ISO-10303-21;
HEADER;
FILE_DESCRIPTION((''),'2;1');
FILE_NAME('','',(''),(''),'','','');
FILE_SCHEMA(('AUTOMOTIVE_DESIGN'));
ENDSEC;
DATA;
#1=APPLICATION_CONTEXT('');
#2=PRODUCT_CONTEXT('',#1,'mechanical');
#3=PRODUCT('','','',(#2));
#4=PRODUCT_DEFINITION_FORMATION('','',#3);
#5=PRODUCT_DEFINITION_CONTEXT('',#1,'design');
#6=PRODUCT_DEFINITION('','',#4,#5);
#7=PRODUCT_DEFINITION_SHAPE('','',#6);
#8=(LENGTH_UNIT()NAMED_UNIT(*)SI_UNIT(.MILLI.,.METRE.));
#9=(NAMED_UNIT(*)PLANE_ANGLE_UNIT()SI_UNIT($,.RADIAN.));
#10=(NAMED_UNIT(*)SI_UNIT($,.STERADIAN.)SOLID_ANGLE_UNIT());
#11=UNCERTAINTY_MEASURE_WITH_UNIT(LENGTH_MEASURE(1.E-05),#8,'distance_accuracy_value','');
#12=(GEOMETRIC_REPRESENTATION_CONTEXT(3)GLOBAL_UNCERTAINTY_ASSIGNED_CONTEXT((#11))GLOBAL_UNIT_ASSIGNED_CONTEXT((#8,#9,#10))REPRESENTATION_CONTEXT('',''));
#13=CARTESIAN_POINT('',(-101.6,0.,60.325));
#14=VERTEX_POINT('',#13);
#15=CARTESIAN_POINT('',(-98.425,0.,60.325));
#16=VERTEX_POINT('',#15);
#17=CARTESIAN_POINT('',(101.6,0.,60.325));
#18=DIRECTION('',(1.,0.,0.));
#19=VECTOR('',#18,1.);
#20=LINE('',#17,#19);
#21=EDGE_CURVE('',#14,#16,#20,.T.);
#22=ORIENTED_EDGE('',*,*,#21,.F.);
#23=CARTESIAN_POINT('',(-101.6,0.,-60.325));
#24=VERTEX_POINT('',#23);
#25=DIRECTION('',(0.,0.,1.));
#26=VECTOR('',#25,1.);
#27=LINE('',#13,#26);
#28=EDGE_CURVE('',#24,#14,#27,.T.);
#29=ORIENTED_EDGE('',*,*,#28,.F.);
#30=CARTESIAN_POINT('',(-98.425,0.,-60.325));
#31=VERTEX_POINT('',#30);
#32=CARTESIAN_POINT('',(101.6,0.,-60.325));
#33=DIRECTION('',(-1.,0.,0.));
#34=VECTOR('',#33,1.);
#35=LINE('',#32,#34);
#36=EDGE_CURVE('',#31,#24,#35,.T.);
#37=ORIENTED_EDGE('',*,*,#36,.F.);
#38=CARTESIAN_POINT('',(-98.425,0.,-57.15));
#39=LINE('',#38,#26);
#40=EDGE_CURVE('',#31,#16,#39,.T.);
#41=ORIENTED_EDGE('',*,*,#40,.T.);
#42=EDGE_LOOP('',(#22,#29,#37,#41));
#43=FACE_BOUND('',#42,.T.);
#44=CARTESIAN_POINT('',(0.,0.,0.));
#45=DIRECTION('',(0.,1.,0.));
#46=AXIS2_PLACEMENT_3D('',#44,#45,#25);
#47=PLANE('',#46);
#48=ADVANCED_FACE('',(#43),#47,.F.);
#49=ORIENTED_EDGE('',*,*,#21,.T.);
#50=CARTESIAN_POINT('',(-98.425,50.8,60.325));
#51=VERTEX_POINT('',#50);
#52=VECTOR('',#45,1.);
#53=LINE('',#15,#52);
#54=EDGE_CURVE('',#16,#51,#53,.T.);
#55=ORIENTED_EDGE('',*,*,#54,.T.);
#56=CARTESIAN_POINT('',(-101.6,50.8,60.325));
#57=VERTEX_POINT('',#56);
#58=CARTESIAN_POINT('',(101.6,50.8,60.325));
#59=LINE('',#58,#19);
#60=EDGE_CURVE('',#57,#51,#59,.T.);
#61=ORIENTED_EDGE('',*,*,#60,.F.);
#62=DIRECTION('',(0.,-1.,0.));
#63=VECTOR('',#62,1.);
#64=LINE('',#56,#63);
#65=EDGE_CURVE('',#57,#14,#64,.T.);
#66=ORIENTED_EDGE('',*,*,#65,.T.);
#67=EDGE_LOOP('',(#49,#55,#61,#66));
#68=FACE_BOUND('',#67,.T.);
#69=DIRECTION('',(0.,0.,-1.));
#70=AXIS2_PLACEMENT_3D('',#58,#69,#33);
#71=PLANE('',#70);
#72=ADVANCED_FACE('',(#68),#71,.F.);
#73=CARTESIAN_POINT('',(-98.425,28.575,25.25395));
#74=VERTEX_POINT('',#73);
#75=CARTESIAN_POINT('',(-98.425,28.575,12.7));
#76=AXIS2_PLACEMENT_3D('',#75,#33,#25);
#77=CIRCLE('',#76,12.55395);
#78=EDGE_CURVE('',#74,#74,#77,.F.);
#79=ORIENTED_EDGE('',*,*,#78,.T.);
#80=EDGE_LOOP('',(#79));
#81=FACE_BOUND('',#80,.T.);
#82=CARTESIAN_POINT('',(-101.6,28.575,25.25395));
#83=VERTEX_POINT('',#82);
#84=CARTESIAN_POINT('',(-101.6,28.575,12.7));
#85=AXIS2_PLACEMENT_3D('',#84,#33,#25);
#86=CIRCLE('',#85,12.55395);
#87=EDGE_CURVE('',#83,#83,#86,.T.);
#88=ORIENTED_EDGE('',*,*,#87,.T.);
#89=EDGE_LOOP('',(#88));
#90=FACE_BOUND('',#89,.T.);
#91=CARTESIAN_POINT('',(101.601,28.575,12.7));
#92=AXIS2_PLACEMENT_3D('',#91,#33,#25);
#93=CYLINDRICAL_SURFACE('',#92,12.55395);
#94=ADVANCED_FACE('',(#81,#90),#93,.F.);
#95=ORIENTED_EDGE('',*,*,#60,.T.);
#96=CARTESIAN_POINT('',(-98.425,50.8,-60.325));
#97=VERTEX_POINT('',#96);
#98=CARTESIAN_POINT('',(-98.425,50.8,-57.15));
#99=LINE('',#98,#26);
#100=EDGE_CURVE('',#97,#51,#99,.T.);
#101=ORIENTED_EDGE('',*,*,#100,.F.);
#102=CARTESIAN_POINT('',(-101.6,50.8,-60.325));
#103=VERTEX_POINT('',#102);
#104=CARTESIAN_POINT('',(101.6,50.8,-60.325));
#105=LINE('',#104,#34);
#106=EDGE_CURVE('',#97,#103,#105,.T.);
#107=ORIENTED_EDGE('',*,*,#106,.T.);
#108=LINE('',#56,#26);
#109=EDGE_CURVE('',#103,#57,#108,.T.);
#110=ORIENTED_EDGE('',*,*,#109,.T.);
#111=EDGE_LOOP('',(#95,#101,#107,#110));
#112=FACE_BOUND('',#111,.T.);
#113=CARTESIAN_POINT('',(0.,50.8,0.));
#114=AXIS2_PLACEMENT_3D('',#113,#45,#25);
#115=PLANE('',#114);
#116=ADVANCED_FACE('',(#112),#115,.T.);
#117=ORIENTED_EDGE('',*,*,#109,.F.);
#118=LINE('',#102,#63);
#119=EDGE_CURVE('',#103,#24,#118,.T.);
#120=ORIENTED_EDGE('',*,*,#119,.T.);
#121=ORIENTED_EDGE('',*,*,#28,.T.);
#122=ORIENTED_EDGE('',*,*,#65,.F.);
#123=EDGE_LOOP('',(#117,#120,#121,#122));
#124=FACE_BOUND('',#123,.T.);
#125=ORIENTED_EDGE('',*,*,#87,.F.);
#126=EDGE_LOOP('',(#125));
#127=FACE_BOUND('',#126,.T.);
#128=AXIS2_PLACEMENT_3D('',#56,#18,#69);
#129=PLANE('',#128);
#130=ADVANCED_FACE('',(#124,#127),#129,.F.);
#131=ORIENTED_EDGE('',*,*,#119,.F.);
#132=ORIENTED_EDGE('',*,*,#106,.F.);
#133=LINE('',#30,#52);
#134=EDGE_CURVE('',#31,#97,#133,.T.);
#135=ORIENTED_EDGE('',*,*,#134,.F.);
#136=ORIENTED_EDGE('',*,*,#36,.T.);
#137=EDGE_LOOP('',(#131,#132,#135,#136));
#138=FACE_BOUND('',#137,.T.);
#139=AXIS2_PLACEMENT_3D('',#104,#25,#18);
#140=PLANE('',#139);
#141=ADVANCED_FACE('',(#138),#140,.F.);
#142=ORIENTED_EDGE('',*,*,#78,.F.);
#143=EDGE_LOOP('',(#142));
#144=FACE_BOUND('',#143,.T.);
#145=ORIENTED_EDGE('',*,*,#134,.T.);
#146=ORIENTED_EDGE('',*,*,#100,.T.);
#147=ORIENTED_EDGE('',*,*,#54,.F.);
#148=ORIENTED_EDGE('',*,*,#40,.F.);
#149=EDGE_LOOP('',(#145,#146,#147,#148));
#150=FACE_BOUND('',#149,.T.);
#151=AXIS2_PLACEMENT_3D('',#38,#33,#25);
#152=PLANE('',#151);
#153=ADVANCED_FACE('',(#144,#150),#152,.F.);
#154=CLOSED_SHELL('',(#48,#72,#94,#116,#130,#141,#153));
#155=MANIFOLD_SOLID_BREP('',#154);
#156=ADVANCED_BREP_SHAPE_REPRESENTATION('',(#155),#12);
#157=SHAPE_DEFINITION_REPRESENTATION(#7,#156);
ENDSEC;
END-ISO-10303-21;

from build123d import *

# Parameters (mm, degrees)
SKETCH1_W           = 203.2
SKETCH1_H           = 120.65
BOSS_EXTRUDE1_DEPTH = 50.8
SKETCH2_W           = 196.85
SKETCH2_H           = 114.3
CUT_EXTRUDE1_DEPTH  = 51.8
SKETCH4_W           = 203.2
SKETCH4_H           = 120.65
SKETCH4_W_2         = 196.85
SKETCH4_H_2         = 114.3
BOSS_EXTRUDE2_DEPTH = 6.35
CUT_EXTRUDE5_DEPTH  = 121.65
CUT_EXTRUDE6_REACH  = 205.2
CUT_EXTRUDE7_REACH  = 205.2
SKETCH13_R          = 12.55395
CUT_EXTRUDE8_DEPTH  = 51.8


with BuildPart() as part:
    # Sketch1 → Boss-Extrude1 (new body)
    with BuildSketch(Plane(origin=(0, 0, 0), x_dir=(1, 0, 0), z_dir=(0, 1, 0))):
        Rectangle(SKETCH1_W, SKETCH1_H)
    extrude(amount=BOSS_EXTRUDE1_DEPTH)

    # Sketch2 → Cut-Extrude1 (cut, through all)
    with BuildSketch(Plane(origin=(0, 50.8, 0), x_dir=(1, 0, 0), z_dir=(0, 1, 0))):
        Rectangle(SKETCH2_W, SKETCH2_H)
    extrude(amount=-CUT_EXTRUDE1_DEPTH, mode=Mode.SUBTRACT)

    # Sketch4 → Boss-Extrude2 (add)
    with BuildSketch(Plane(origin=(0, 50.8, 0), x_dir=(1, 0, 0), z_dir=(0, 1, 0))):
        Rectangle(SKETCH4_W, SKETCH4_H)
        Rectangle(SKETCH4_W_2, SKETCH4_H_2, mode=Mode.SUBTRACT)
    extrude(amount=-BOSS_EXTRUDE2_DEPTH)

    # Sketch10 → Cut-Extrude5 (cut, through all)
    with BuildSketch(Plane.XY.offset(60.325)):
        with BuildLine():
            ThreePointArc((-65.9511, 22.225), (-81.206975571, 31.167602912), (-81.556705839, 13.4874))
            Line((-81.556705839, 13.4874), (-70.843294161, 13.4874))
            ThreePointArc((-70.843294161, 13.4874), (-67.257397088, 17.218024429), (-65.9511, 22.225))
        make_face()
        with BuildLine():
            ThreePointArc((-15.1511, 22.225), (-30.406975571, 31.167602912), (-30.756705839, 13.4874))
            Line((-30.756705839, 13.4874), (-20.043294161, 13.4874))
            ThreePointArc((-20.043294161, 13.4874), (-16.457397088, 17.218024429), (-15.1511, 22.225))
        make_face()
        with BuildLine():
            ThreePointArc((35.6489, 22.225), (20.393024429, 31.167602912), (20.043294161, 13.4874))
            Line((20.043294161, 13.4874), (30.756705839, 13.4874))
            ThreePointArc((30.756705839, 13.4874), (34.342602912, 17.218024429), (35.6489, 22.225))
        make_face()
        with BuildLine():
            Line((70.843294161, 13.4874), (81.556705839, 13.4874))
            ThreePointArc((81.556705839, 13.4874), (85.142602912, 17.218024429), (86.4489, 22.225))
            ThreePointArc((86.4489, 22.225), (71.193024429, 31.167602912), (70.843294161, 13.4874))
        make_face()
    extrude(amount=-CUT_EXTRUDE5_DEPTH, mode=Mode.SUBTRACT)

    # Sketch12 → Cut-Extrude6 (cut, up to next)
    with BuildSketch(Plane(origin=(101.6, 0, 0), x_dir=(0, 0, -1), z_dir=(1, 0, 0)), mode=Mode.PRIVATE) as cut_extrude6_sk1:
        with BuildLine():
            ThreePointArc((-16.868294161, 13.4874), (-22.225, 32.4739), (-27.581705839, 13.4874))
            Line((-27.581705839, 13.4874), (-16.868294161, 13.4874))
        make_face()
    cut_extrude6_tool1 = extrude(cut_extrude6_sk1.sketch, amount=-CUT_EXTRUDE6_REACH, mode=Mode.PRIVATE) & part.part
    add(cut_extrude6_tool1.solids().sort_by_distance((101.6, 22.546198, 22.225))[0], mode=Mode.SUBTRACT)
    # Sketch12 → Cut-Extrude6 (cut, up to next)
    with BuildSketch(Plane(origin=(101.6, 0, 0), x_dir=(0, 0, -1), z_dir=(1, 0, 0)), mode=Mode.PRIVATE) as cut_extrude6_sk2:
        with BuildLine():
            ThreePointArc((27.581705839, 13.4874), (22.225, 32.4739), (16.868294161, 13.4874))
            Line((16.868294161, 13.4874), (27.581705839, 13.4874))
        make_face()
    cut_extrude6_tool2 = extrude(cut_extrude6_sk2.sketch, amount=-CUT_EXTRUDE6_REACH, mode=Mode.PRIVATE) & part.part
    add(cut_extrude6_tool2.solids().sort_by_distance((101.6, 22.546198, -22.225))[0], mode=Mode.SUBTRACT)

    # Sketch13 → Cut-Extrude7 (cut, up to next)
    with BuildSketch(Plane.ZY.offset(101.6), mode=Mode.PRIVATE) as cut_extrude7_sk1:
        with Locations((12.7, 28.575)):
            Circle(SKETCH13_R)
    cut_extrude7_tool1 = extrude(cut_extrude7_sk1.sketch, amount=-CUT_EXTRUDE7_REACH, mode=Mode.PRIVATE) & part.part
    add(cut_extrude7_tool1.solids().sort_by_distance((-101.6, 28.575, 12.7))[0], mode=Mode.SUBTRACT)

    # Sketch14 → Cut-Extrude8 (cut, through all)
    with BuildSketch(Plane(origin=(0, 50.8, 0), x_dir=(1, 0, 0), z_dir=(0, 1, 0))):
        Polygon((-98.425, -57.15), (-98.425, -60.325), (101.6, -60.325), (101.6, 60.325), (-98.425, 60.325), align=None)
    extrude(amount=-CUT_EXTRUDE8_DEPTH, mode=Mode.SUBTRACT)


solid = part.part
